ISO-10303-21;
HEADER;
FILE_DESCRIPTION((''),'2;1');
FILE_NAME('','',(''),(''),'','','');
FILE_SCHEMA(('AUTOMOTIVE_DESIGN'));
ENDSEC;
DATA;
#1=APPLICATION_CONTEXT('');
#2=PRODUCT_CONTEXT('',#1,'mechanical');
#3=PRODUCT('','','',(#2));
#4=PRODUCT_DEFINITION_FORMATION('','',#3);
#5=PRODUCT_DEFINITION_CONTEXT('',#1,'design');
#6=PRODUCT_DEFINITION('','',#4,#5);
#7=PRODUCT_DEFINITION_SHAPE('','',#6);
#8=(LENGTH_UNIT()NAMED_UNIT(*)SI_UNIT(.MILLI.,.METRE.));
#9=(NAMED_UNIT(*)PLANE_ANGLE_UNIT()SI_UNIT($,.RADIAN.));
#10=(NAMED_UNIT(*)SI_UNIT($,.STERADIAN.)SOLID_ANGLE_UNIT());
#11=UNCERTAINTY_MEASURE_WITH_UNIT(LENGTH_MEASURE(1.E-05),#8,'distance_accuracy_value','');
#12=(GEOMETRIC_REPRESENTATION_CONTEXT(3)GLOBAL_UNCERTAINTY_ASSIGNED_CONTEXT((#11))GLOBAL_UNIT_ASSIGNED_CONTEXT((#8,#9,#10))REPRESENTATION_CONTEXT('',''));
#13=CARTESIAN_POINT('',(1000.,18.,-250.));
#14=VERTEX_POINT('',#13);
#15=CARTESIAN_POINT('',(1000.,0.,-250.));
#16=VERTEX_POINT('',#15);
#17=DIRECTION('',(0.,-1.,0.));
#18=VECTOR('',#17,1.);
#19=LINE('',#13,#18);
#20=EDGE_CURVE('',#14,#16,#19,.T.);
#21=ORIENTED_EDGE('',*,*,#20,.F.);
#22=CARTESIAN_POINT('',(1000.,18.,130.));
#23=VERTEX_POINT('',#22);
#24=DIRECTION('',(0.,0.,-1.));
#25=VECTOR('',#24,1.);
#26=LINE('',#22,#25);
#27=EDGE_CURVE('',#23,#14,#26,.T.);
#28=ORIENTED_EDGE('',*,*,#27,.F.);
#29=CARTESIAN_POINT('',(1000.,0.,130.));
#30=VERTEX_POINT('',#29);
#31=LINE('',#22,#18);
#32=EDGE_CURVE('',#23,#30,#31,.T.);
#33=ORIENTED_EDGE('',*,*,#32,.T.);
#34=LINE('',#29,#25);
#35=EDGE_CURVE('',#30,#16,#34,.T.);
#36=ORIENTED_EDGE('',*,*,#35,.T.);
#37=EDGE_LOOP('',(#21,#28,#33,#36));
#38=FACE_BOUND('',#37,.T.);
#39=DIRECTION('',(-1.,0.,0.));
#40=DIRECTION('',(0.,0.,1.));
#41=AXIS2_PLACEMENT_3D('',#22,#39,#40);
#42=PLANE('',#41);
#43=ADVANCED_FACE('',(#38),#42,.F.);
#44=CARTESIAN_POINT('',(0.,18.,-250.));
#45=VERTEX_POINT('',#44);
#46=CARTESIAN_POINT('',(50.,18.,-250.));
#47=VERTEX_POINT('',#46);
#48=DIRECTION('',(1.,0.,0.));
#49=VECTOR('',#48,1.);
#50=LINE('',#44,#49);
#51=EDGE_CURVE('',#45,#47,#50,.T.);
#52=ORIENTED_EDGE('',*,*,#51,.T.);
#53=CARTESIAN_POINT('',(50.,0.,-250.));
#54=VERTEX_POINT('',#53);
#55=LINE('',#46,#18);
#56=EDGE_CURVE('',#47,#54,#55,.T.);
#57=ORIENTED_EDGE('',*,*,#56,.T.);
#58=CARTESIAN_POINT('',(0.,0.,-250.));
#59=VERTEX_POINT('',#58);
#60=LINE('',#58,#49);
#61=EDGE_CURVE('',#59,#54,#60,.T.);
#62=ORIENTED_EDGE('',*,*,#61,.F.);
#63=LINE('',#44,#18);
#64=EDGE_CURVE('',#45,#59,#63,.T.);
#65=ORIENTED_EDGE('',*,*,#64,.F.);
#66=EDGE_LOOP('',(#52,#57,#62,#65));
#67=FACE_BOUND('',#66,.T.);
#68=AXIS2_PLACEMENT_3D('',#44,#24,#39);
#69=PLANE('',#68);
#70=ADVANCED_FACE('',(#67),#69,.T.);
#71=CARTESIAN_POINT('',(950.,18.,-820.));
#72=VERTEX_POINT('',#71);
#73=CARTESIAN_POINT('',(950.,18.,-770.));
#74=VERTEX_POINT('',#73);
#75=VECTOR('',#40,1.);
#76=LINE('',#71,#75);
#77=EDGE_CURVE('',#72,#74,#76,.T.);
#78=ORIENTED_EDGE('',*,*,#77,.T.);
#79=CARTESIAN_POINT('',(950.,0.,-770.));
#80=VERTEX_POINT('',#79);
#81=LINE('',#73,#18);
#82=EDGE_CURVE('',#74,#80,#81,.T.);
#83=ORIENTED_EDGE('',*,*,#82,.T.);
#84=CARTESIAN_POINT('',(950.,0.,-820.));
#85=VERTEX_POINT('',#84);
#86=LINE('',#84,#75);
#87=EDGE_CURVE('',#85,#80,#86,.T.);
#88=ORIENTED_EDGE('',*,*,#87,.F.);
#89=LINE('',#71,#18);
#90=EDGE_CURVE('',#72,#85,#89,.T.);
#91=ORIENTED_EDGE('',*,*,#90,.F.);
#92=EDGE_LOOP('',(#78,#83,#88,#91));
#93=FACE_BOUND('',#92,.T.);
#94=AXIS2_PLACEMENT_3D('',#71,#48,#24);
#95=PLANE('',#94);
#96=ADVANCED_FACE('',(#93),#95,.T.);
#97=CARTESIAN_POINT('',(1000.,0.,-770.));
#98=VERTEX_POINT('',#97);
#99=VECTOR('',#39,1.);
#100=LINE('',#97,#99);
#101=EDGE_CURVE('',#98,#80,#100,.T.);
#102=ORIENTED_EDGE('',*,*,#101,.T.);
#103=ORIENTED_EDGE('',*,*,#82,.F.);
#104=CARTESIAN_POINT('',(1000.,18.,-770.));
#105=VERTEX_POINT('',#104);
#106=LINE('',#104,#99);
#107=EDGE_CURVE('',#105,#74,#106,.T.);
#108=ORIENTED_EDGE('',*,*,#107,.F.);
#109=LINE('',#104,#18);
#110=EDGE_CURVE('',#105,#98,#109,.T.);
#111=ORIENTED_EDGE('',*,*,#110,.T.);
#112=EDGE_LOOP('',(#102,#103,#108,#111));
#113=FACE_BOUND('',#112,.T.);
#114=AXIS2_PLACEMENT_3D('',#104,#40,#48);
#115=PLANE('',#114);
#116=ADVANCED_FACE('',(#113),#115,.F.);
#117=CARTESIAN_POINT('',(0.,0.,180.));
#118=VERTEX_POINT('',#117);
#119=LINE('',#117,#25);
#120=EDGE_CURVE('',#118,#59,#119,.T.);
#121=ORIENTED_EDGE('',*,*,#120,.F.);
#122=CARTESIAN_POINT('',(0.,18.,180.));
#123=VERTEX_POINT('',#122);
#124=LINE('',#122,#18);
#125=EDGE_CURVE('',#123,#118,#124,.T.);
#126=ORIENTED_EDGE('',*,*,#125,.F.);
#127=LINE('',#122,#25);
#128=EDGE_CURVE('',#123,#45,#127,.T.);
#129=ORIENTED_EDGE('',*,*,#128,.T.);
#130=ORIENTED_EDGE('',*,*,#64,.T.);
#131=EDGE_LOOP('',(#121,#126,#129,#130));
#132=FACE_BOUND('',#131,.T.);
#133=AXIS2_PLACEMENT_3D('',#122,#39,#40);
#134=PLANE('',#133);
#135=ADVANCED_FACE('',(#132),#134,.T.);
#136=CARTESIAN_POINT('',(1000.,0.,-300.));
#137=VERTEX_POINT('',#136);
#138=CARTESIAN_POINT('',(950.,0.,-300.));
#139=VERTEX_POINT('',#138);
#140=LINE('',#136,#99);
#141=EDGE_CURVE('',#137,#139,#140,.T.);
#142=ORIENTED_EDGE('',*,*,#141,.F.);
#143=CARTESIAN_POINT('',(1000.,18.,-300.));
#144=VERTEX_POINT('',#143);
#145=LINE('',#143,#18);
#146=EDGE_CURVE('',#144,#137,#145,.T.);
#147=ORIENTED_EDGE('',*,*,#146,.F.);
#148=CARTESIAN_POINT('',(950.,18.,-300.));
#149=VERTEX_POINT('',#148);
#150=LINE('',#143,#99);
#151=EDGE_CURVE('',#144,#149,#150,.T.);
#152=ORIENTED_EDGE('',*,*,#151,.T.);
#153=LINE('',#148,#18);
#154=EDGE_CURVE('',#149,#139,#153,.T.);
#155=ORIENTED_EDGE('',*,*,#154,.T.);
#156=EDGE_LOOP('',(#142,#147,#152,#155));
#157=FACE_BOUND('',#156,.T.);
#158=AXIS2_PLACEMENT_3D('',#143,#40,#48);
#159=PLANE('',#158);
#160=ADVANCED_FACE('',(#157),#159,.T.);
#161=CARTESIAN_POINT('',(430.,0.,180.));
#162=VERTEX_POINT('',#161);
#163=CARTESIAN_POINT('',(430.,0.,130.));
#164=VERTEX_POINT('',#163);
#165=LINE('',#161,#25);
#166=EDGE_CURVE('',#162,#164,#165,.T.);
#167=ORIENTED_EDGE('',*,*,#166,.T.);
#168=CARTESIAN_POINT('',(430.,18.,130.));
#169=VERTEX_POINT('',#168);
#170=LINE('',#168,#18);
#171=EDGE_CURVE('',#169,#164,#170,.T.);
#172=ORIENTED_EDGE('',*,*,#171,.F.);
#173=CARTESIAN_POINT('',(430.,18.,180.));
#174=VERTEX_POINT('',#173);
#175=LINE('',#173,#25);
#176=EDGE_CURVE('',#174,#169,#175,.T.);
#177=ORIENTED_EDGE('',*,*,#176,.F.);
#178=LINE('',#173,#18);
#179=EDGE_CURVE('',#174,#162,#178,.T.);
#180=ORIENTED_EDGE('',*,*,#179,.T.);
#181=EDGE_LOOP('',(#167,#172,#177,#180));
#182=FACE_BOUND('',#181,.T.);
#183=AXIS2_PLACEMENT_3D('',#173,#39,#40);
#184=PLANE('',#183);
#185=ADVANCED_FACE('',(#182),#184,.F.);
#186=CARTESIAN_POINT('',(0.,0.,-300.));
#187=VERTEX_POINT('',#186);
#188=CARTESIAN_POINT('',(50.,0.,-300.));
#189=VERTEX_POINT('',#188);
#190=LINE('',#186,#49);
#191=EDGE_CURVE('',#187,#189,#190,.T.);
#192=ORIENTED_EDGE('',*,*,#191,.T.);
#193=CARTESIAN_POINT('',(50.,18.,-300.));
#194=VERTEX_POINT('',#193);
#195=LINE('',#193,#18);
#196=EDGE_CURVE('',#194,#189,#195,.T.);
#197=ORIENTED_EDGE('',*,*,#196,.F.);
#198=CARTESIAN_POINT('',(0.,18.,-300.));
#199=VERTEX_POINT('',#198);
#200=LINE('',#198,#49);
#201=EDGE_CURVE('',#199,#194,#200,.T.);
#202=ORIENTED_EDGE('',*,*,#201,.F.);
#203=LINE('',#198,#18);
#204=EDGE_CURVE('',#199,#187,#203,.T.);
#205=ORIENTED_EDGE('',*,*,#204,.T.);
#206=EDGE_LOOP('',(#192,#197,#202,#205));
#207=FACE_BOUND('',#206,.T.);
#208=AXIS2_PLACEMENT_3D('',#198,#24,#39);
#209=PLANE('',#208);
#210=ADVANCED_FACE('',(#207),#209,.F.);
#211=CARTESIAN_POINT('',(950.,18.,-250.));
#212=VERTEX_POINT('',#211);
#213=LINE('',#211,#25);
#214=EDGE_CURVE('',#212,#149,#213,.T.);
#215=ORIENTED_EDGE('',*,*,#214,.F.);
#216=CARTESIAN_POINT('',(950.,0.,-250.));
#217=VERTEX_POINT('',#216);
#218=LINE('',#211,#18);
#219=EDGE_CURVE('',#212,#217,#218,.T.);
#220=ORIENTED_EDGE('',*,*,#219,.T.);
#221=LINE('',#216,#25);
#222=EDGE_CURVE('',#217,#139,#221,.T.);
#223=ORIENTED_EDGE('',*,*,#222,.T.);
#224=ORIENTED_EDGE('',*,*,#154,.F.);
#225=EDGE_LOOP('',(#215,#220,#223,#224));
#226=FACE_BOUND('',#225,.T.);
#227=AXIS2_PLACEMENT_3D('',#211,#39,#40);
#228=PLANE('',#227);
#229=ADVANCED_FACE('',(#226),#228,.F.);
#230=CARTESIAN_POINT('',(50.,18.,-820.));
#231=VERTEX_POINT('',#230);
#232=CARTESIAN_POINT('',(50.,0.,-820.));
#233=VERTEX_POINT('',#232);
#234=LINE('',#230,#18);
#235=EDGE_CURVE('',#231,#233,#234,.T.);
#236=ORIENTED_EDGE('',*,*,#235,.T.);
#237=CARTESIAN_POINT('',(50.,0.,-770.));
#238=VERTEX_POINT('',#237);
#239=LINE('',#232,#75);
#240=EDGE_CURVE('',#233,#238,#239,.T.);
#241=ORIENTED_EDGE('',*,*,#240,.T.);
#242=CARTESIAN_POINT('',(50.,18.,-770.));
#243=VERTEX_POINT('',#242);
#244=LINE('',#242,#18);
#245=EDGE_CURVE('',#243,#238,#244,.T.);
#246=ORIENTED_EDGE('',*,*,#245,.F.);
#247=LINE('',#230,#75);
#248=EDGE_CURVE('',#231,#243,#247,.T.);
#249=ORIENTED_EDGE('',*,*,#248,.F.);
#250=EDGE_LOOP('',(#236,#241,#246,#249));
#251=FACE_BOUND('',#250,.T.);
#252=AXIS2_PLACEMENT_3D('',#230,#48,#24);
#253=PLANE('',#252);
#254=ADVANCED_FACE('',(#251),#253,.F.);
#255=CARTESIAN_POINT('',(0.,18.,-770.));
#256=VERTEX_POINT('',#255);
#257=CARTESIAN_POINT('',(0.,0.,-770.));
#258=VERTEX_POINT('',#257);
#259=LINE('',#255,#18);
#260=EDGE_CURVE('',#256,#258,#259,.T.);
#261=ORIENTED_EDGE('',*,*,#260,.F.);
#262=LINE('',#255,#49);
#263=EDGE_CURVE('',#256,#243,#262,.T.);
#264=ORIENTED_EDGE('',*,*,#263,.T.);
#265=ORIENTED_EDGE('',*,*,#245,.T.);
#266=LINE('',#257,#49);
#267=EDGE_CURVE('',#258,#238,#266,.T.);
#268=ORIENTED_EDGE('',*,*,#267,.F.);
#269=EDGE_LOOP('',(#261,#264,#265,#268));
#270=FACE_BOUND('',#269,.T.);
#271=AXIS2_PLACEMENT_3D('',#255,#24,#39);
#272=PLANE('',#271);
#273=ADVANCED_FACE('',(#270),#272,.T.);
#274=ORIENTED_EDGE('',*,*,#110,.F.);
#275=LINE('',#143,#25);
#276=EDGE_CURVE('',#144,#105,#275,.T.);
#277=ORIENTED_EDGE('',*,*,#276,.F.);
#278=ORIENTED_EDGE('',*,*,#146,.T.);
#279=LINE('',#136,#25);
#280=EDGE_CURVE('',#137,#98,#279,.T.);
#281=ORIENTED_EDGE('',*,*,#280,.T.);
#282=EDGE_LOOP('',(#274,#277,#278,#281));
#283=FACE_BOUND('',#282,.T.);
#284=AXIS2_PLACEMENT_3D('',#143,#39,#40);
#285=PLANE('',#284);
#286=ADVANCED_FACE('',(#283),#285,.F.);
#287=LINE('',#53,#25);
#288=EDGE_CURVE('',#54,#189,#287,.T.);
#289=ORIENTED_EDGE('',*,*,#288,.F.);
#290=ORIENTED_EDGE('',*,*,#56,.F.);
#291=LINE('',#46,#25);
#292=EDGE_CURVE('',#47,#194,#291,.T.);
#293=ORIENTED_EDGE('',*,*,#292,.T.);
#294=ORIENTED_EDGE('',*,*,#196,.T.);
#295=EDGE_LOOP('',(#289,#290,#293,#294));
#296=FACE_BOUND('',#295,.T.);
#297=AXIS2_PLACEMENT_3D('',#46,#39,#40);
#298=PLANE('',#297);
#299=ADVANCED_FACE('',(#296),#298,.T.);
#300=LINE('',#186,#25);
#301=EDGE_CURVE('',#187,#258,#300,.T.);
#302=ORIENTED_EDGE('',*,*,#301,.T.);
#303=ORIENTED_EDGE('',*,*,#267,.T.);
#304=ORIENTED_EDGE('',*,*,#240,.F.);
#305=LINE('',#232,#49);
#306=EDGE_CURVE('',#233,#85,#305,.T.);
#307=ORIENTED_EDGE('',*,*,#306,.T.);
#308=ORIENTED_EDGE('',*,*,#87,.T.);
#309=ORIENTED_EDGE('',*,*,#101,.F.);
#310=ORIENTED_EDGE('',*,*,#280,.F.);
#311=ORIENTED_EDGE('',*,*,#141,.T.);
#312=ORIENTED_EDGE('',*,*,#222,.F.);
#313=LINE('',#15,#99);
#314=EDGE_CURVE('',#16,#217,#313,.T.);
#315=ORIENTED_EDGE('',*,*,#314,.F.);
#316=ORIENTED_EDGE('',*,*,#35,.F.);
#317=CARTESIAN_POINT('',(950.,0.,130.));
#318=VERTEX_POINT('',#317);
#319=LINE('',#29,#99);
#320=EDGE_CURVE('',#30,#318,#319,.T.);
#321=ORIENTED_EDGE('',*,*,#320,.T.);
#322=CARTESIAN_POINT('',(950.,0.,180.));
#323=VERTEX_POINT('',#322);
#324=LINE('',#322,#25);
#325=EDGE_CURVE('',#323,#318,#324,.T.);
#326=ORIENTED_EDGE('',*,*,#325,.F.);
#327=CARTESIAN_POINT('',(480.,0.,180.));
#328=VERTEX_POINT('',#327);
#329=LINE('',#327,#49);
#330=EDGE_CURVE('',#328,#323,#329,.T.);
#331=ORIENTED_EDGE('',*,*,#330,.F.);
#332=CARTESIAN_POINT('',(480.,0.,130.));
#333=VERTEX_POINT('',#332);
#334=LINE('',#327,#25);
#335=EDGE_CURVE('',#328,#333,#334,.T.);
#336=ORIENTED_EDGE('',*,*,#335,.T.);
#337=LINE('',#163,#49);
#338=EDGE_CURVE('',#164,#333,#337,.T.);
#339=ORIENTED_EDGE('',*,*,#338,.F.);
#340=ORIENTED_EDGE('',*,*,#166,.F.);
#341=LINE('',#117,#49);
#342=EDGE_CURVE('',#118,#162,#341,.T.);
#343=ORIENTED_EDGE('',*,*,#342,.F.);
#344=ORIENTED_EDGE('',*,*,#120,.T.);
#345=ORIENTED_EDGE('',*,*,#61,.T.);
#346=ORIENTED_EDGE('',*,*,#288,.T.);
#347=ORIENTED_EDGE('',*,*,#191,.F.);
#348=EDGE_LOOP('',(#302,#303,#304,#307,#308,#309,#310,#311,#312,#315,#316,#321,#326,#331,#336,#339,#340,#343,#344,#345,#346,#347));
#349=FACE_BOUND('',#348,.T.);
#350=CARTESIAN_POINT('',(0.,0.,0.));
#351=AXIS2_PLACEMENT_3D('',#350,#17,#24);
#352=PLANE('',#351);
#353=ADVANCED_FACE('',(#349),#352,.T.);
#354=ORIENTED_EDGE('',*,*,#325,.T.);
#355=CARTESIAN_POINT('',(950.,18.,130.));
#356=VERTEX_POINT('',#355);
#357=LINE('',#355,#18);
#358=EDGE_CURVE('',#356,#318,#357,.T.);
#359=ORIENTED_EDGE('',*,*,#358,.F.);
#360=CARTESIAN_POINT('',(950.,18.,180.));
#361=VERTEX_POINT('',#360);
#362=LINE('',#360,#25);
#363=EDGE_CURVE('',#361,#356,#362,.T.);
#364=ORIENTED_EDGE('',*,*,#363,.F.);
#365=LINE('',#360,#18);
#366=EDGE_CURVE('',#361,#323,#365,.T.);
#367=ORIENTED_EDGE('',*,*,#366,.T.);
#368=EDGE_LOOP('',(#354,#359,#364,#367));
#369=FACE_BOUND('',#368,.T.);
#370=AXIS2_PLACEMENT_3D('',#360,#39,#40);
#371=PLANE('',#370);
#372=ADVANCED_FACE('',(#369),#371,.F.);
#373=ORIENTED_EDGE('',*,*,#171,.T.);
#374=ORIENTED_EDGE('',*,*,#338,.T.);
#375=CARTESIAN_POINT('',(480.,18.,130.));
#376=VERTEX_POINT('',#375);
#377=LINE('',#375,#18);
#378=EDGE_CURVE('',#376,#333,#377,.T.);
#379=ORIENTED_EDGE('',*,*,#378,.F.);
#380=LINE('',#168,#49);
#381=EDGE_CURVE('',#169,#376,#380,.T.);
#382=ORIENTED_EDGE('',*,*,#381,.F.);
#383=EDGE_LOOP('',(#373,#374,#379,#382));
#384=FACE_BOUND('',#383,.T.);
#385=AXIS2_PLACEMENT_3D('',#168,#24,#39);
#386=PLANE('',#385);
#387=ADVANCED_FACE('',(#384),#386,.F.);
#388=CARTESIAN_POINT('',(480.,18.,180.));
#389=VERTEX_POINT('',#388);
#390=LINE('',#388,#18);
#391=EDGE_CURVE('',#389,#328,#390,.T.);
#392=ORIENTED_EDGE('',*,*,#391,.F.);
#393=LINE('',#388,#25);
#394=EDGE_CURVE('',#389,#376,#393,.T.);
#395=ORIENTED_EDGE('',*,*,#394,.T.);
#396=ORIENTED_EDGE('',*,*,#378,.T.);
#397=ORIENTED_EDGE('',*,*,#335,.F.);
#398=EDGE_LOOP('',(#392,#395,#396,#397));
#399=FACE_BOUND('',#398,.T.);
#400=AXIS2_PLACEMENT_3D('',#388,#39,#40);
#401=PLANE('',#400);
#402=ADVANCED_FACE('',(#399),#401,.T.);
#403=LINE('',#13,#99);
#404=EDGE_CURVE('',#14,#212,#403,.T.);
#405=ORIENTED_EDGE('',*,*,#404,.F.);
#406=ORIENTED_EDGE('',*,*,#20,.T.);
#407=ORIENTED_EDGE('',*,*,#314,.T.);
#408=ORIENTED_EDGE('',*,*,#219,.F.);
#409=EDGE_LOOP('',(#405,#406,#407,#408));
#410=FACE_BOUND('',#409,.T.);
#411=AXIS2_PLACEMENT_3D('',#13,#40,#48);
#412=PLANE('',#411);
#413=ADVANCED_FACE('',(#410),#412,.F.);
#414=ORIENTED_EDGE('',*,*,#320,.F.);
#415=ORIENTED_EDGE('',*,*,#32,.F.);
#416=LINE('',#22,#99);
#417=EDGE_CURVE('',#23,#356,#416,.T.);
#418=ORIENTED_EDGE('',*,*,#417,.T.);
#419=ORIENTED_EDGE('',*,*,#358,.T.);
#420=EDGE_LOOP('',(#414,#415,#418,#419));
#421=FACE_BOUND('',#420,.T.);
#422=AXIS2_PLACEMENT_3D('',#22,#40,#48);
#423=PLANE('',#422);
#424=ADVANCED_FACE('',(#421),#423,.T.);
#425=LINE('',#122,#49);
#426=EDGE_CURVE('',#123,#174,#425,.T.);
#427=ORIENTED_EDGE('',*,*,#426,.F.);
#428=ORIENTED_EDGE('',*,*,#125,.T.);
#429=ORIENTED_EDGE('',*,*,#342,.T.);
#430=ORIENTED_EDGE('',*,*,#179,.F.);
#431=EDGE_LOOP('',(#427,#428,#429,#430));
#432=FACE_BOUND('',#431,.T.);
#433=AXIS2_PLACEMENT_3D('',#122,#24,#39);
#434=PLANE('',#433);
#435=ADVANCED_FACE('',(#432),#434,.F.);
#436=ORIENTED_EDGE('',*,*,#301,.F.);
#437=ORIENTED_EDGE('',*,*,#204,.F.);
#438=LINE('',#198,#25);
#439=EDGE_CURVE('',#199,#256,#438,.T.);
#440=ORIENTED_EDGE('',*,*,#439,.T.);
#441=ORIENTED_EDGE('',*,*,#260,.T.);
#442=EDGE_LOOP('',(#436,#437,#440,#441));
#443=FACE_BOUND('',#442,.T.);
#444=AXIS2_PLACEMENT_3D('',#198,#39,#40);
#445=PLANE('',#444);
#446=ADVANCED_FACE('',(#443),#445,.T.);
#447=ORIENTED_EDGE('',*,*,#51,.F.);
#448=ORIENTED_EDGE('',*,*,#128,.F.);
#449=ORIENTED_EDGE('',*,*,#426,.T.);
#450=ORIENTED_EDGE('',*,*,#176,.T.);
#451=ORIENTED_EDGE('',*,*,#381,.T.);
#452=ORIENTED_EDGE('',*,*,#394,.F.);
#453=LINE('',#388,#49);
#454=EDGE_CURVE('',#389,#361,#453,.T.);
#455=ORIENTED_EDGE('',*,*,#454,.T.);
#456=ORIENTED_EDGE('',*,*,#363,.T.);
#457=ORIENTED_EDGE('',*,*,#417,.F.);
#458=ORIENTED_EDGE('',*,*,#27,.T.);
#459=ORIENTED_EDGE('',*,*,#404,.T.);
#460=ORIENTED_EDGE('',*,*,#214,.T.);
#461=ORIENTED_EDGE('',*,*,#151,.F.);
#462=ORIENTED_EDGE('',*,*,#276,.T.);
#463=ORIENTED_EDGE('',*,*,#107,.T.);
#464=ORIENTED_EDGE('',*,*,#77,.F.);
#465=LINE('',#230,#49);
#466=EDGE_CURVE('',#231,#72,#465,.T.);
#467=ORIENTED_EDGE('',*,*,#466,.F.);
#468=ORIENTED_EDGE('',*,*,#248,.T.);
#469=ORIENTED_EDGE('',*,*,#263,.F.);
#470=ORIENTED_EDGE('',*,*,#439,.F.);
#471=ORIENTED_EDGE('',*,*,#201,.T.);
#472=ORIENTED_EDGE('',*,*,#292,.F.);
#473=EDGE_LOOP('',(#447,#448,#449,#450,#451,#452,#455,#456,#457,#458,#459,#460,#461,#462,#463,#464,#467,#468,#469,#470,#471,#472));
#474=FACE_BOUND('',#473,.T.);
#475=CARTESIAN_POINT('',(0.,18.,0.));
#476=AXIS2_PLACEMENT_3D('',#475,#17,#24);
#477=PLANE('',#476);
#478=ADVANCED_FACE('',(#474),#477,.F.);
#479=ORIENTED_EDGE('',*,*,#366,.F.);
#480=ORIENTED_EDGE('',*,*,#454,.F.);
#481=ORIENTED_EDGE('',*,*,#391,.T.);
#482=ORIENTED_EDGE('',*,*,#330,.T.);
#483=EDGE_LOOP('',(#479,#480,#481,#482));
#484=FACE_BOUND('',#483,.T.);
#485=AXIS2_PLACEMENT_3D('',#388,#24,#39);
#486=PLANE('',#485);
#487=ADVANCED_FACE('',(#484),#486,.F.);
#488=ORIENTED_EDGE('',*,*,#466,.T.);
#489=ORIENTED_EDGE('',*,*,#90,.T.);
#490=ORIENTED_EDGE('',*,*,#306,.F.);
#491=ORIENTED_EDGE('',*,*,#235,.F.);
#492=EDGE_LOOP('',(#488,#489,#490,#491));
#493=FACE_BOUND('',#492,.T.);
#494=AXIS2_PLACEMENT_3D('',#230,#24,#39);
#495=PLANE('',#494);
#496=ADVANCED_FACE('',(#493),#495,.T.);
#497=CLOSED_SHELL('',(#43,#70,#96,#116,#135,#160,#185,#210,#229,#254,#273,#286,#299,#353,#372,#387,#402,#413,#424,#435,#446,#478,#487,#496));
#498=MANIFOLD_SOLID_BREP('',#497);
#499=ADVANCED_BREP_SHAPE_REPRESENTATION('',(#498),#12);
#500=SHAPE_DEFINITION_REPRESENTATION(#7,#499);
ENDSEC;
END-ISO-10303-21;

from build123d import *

# Parameters (mm, degrees)
BOSS_EXTRUDE1_DEPTH = 18


with BuildPart() as part:
    # Sketch1 → Boss-Extrude1 (new body)
    with BuildSketch(Plane(origin=(0, 0, 0), x_dir=(1, 0, 0), z_dir=(0, 1, 0))):
        Polygon((0, 300), (0, 770), (50, 770), (50, 820), (950, 820), (950, 770), (1000, 770), (1000, 300), (950, 300), (950, 250), (1000, 250), (1000, -130), (950, -130), (950, -180), (480, -180), (480, -130), (430, -130), (430, -180), (0, -180), (0, 250), (50, 250), (50, 300), align=None)
    extrude(amount=BOSS_EXTRUDE1_DEPTH)


solid = part.part
